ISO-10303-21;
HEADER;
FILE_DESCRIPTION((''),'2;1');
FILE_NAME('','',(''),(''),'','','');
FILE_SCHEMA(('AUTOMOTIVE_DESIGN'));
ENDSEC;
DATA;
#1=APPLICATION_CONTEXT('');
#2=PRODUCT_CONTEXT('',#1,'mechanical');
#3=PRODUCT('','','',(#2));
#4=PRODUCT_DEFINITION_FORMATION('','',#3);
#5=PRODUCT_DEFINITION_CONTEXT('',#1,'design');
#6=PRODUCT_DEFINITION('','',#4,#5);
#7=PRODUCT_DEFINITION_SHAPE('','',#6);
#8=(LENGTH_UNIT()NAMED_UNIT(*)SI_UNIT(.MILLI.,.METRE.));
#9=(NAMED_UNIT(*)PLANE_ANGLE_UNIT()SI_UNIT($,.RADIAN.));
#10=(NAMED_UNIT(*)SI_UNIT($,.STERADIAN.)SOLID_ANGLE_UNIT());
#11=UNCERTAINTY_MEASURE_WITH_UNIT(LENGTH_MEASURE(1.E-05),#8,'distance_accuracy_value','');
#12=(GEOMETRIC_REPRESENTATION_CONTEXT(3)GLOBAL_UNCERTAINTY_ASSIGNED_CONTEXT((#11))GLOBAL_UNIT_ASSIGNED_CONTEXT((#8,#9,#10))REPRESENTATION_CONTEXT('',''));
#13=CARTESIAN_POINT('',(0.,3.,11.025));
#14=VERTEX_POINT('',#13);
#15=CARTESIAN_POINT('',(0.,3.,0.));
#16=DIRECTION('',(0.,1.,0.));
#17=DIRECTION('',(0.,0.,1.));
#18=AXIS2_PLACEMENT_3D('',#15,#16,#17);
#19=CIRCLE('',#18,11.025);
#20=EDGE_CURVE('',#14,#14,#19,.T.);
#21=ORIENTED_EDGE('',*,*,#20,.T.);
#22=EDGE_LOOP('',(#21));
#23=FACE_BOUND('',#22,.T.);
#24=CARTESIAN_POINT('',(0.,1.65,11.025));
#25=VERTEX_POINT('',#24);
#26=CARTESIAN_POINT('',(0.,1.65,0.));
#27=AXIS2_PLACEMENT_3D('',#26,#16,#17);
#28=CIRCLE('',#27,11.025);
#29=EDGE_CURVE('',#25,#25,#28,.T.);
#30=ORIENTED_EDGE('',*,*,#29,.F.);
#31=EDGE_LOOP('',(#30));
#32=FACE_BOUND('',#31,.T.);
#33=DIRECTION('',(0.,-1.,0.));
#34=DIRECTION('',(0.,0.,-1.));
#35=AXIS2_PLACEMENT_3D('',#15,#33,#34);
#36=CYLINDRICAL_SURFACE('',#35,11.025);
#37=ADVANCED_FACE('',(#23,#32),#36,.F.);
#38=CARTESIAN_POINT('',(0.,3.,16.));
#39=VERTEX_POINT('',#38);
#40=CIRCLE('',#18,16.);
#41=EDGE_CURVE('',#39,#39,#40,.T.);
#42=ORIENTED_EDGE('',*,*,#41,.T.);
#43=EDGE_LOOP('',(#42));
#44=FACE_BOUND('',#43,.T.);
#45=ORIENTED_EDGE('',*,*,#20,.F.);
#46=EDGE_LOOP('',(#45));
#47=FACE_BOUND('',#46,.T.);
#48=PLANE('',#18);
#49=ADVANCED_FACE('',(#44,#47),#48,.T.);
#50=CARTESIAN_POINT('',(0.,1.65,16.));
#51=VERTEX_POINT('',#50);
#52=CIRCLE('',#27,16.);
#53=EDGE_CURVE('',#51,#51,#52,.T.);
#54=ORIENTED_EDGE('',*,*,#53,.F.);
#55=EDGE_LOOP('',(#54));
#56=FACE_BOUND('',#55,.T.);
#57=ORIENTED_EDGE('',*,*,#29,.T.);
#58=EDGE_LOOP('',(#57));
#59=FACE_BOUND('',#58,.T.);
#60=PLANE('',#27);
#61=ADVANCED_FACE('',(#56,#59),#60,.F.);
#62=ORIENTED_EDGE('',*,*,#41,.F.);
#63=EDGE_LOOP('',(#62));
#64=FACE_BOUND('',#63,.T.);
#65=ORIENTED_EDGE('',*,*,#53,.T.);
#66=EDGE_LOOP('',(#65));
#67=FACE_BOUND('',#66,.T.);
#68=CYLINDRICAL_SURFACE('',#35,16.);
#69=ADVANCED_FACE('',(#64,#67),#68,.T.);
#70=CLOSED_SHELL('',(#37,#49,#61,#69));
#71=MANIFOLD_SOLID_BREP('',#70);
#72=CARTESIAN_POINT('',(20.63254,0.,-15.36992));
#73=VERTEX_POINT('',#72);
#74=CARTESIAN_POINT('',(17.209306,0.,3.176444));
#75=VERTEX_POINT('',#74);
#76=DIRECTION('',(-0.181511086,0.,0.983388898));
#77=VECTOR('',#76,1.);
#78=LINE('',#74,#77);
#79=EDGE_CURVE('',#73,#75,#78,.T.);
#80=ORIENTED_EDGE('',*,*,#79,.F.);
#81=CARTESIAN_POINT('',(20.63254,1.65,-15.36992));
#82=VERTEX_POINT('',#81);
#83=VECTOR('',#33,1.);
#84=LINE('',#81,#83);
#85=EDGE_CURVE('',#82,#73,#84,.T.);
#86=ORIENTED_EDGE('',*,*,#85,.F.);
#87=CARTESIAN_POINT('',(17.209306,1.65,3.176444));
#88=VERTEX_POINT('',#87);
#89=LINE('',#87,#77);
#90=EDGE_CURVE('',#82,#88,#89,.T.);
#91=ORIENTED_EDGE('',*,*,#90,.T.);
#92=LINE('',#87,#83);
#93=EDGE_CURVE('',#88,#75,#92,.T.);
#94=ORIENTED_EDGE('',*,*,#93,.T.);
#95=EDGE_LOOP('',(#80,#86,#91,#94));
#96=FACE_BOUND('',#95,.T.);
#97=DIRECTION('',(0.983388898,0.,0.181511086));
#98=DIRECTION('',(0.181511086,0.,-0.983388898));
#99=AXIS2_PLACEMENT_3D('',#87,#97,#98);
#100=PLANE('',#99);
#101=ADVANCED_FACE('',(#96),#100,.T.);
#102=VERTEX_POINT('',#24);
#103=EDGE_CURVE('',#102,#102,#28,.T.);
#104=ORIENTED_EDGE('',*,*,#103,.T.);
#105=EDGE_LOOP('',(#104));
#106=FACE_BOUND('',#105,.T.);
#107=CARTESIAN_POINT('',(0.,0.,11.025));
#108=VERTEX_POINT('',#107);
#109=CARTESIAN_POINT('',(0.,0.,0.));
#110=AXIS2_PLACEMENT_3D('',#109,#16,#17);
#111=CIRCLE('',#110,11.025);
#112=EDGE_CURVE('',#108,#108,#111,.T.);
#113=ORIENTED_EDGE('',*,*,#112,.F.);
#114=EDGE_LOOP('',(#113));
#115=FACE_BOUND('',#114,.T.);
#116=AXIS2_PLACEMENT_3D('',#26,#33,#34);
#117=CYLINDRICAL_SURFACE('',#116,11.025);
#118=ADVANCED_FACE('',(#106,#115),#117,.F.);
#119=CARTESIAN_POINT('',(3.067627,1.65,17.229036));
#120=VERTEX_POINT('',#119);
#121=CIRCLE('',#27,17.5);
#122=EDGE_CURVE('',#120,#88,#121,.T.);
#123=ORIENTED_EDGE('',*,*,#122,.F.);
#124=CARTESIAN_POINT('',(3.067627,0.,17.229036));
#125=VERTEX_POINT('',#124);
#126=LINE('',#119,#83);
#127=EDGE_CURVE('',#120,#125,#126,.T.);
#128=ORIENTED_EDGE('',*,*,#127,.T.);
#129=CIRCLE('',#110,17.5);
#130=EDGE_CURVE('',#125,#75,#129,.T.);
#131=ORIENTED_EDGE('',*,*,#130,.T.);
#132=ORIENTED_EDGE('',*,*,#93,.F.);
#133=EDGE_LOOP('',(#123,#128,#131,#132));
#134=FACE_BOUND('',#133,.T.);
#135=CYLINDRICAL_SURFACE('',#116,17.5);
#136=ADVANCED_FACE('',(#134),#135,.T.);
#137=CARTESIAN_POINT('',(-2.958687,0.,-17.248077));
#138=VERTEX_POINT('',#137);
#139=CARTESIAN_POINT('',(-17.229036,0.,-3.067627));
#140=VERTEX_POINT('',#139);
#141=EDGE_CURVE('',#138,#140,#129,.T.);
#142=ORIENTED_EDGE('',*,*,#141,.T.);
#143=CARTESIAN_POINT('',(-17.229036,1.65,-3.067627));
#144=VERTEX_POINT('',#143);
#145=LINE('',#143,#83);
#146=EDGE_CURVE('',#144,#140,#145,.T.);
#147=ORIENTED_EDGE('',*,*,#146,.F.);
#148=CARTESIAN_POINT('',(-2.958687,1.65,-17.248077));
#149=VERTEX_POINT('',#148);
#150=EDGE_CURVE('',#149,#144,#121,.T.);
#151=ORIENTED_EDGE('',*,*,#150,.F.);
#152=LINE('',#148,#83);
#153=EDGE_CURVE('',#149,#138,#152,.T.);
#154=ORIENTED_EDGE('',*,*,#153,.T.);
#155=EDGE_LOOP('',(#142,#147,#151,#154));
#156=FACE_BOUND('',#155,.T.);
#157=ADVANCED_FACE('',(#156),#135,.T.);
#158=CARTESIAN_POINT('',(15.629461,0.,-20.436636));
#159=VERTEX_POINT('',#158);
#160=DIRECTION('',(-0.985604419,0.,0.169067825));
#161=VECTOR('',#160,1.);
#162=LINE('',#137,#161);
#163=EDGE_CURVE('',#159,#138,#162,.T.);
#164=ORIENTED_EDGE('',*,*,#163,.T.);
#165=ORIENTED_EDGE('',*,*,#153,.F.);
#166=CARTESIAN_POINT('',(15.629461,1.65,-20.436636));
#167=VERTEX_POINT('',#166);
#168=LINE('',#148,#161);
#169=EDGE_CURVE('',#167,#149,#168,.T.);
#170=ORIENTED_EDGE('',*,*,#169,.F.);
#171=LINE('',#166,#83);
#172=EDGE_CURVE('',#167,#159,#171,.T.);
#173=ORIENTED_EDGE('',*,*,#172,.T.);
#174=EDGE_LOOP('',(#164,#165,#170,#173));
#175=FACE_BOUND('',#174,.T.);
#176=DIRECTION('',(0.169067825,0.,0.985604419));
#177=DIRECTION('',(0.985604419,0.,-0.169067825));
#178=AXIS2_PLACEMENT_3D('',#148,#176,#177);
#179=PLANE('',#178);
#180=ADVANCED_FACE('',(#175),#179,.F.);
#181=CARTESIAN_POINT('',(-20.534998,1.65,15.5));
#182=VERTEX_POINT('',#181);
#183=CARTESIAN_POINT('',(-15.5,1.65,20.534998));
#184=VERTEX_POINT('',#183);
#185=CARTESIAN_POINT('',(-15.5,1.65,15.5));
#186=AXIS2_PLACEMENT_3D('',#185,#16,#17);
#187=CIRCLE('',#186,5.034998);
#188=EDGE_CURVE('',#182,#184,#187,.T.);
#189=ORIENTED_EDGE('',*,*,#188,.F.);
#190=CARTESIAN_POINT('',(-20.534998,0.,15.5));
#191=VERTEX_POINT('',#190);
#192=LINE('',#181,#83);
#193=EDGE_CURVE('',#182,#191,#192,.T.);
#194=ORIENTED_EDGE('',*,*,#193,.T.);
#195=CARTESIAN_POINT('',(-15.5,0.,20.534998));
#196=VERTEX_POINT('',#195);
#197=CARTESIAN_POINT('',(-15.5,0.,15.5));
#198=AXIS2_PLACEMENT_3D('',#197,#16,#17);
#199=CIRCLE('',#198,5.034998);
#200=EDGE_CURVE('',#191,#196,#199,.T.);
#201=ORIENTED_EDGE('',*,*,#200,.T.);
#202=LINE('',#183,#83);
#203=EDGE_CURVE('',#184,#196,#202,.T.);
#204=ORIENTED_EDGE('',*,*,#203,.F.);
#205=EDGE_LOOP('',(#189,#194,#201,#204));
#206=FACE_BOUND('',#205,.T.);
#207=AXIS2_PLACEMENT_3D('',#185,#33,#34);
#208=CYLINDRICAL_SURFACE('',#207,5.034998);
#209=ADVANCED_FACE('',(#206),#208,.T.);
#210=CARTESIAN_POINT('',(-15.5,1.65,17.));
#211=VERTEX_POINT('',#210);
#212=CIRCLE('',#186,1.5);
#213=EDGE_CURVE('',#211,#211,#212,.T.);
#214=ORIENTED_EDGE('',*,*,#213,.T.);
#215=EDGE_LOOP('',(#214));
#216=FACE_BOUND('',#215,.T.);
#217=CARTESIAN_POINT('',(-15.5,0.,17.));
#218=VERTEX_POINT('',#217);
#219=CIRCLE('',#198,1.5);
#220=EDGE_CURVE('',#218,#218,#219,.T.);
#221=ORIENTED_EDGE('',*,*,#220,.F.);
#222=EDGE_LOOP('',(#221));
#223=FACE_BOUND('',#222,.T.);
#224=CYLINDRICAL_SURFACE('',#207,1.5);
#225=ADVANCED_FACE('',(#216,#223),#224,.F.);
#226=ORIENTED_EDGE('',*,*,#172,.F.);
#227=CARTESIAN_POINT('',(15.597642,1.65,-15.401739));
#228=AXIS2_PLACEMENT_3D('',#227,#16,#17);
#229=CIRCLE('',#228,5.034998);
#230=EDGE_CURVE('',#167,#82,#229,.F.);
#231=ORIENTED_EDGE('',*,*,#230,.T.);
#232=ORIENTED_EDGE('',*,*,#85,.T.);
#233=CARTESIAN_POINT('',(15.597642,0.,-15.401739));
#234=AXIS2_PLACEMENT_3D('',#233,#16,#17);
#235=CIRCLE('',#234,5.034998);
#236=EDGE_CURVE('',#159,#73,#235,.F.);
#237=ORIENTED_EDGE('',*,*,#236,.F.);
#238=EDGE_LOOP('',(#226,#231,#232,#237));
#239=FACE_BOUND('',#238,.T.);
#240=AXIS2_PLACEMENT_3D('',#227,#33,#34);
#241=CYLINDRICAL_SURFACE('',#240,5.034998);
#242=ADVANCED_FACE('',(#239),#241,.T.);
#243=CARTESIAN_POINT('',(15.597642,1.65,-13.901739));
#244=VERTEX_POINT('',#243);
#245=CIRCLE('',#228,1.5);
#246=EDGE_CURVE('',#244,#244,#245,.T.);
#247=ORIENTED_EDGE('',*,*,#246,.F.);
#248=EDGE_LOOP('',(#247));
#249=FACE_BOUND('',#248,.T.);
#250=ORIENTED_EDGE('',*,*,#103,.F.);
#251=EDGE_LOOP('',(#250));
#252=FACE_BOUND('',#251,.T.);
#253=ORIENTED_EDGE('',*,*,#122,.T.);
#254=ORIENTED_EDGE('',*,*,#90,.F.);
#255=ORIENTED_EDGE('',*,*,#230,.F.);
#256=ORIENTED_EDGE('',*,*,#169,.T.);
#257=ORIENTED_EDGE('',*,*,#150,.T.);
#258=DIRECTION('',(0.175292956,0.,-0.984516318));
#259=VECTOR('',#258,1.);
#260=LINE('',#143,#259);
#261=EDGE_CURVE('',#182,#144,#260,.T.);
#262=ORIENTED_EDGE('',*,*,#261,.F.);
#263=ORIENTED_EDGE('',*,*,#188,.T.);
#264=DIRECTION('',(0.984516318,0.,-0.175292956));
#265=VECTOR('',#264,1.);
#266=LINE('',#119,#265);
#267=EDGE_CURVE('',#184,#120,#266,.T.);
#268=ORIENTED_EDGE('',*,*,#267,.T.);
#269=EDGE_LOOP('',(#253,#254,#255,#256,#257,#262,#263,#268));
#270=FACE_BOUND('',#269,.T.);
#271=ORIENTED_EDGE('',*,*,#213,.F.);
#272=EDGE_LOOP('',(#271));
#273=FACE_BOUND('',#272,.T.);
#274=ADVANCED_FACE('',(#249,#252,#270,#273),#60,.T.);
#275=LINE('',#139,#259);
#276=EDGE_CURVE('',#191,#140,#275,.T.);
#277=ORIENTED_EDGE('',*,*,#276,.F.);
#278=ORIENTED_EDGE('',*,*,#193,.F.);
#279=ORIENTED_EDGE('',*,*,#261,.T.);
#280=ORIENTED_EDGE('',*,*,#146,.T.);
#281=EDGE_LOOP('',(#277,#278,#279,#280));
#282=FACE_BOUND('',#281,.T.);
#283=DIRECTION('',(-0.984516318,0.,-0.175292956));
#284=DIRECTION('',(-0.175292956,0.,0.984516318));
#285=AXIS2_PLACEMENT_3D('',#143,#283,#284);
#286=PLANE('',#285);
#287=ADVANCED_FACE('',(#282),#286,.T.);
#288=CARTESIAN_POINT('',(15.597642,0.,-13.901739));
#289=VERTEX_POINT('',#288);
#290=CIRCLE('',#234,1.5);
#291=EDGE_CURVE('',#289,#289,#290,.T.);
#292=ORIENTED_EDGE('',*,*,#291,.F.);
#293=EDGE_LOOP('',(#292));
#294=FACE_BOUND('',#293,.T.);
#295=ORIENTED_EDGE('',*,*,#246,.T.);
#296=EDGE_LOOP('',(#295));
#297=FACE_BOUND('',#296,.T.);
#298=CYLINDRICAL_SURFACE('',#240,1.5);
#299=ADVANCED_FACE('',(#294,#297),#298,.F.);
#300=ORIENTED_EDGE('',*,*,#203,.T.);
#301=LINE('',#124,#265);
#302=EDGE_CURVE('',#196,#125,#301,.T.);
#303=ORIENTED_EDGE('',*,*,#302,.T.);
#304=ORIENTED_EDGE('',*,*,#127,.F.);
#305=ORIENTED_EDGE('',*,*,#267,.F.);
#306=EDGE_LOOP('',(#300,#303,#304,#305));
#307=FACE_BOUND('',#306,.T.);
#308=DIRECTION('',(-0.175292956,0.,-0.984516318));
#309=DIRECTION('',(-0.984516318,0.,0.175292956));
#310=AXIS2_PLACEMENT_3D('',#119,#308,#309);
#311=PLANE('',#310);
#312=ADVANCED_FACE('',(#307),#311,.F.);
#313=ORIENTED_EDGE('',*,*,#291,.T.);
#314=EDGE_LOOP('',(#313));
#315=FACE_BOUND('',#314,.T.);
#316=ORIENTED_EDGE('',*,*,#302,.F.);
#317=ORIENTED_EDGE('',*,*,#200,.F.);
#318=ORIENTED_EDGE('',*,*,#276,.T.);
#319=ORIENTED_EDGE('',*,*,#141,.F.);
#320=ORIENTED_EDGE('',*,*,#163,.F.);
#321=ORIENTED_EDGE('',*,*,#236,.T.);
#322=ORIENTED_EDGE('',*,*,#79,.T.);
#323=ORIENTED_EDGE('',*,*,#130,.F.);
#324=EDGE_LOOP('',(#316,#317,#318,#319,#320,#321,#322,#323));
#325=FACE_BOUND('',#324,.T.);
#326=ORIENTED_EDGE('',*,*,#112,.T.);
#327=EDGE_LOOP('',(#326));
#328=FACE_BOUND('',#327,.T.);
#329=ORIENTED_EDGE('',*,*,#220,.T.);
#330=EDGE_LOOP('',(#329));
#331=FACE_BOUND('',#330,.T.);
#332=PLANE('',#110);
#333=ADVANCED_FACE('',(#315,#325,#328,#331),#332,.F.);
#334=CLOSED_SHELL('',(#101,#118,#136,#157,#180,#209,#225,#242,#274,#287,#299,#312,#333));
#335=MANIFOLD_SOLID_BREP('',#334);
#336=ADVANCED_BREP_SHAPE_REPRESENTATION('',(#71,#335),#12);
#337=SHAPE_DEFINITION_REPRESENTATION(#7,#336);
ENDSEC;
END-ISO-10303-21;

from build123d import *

# Parameters (mm, degrees)
SKETCH1_R           = 1500
SKETCH1_R_2         = 11025
BOSS_EXTRUDE1_DEPTH = 1650
SKETCH2_R           = 16000
SKETCH2_R_2         = 11025
BOSS_EXTRUDE2_DEPTH = 1350
SCALE2_SCALE        = 0.001


with BuildPart() as part:
    # Sketch1 → Boss-Extrude1 (new body)
    with BuildSketch(Plane(origin=(0, 0, 0), x_dir=(1, 0, 0), z_dir=(0, 1, 0))):
        with BuildLine():
            Line((17209.305722817, -3176.444009941), (20632.540093335, 15369.919992931))
            ThreePointArc((20632.540093335, 15369.919992931), (19180.351834931, 18939.449717944), (15629.46099565, 20436.636227071))
            Line((15629.46099565, 20436.636227071), (-2958.686933947, 17248.077331592))
            ThreePointArc((-2958.686933947, 17248.077331592), (-12335.206917505, 12413.406877728), (-17229.035558487, 3067.626726653))
            Line((-17229.035558487, 3067.626726653), (-20534.998205313, -15500))
            ThreePointArc((-20534.998205313, -15500), (-19060.281374239, -19060.281374239), (-15500, -20534.998205312))
            Line((-15500, -20534.998205312), (3067.626726653, -17229.035558487))
            ThreePointArc((3067.626726653, -17229.035558487), (8019.775569124, -15554.201999156), (12256.263323125, -12491.357386765))
            ThreePointArc((12256.263323125, -12491.357386765), (12335.206917505, -12413.406877728), (12413.654752449, -12334.957466351))
            ThreePointArc((12413.654752449, -12334.957466351), (15503.210603375, -8117.909890919), (17209.305722817, -3176.444009941))
        make_face()
        with Locations(Location((-15500, -15500, 0), (0, 0, 270))):
            Circle(SKETCH1_R, mode=Mode.SUBTRACT)
        with Locations(Location((0, 0, 0), (0, 0, 270))):
            Circle(SKETCH1_R_2, mode=Mode.SUBTRACT)
        with Locations(Location((15597.642427422, 15401.738561158, 0), (0, 0, 270))):
            Circle(SKETCH1_R, mode=Mode.SUBTRACT)
    extrude(amount=BOSS_EXTRUDE1_DEPTH)


with BuildPart() as body_2:
    # Sketch2 → Boss-Extrude2 (new body)
    with BuildSketch(Plane(origin=(0, 1650, 0), x_dir=(1, 0, 0), z_dir=(0, 1, 0))):
        with Locations(Location((0, 0, 0), (0, 0, 270))):
            Circle(SKETCH2_R)
        with Locations(Location((0, 0, 0), (0, 0, 270))):
            Circle(SKETCH2_R_2, mode=Mode.SUBTRACT)
    extrude(amount=BOSS_EXTRUDE2_DEPTH)


with BuildPart() as body_2_1:
    # Scale2: scaled about (0, 0, 0)
    add(body_2.part.scale(SCALE2_SCALE))


with BuildPart() as part_1:
    # Scale2: scaled about (0, 0, 0)
    add(part.part.scale(SCALE2_SCALE))


solid = Compound([body_2_1.part, part_1.part])
